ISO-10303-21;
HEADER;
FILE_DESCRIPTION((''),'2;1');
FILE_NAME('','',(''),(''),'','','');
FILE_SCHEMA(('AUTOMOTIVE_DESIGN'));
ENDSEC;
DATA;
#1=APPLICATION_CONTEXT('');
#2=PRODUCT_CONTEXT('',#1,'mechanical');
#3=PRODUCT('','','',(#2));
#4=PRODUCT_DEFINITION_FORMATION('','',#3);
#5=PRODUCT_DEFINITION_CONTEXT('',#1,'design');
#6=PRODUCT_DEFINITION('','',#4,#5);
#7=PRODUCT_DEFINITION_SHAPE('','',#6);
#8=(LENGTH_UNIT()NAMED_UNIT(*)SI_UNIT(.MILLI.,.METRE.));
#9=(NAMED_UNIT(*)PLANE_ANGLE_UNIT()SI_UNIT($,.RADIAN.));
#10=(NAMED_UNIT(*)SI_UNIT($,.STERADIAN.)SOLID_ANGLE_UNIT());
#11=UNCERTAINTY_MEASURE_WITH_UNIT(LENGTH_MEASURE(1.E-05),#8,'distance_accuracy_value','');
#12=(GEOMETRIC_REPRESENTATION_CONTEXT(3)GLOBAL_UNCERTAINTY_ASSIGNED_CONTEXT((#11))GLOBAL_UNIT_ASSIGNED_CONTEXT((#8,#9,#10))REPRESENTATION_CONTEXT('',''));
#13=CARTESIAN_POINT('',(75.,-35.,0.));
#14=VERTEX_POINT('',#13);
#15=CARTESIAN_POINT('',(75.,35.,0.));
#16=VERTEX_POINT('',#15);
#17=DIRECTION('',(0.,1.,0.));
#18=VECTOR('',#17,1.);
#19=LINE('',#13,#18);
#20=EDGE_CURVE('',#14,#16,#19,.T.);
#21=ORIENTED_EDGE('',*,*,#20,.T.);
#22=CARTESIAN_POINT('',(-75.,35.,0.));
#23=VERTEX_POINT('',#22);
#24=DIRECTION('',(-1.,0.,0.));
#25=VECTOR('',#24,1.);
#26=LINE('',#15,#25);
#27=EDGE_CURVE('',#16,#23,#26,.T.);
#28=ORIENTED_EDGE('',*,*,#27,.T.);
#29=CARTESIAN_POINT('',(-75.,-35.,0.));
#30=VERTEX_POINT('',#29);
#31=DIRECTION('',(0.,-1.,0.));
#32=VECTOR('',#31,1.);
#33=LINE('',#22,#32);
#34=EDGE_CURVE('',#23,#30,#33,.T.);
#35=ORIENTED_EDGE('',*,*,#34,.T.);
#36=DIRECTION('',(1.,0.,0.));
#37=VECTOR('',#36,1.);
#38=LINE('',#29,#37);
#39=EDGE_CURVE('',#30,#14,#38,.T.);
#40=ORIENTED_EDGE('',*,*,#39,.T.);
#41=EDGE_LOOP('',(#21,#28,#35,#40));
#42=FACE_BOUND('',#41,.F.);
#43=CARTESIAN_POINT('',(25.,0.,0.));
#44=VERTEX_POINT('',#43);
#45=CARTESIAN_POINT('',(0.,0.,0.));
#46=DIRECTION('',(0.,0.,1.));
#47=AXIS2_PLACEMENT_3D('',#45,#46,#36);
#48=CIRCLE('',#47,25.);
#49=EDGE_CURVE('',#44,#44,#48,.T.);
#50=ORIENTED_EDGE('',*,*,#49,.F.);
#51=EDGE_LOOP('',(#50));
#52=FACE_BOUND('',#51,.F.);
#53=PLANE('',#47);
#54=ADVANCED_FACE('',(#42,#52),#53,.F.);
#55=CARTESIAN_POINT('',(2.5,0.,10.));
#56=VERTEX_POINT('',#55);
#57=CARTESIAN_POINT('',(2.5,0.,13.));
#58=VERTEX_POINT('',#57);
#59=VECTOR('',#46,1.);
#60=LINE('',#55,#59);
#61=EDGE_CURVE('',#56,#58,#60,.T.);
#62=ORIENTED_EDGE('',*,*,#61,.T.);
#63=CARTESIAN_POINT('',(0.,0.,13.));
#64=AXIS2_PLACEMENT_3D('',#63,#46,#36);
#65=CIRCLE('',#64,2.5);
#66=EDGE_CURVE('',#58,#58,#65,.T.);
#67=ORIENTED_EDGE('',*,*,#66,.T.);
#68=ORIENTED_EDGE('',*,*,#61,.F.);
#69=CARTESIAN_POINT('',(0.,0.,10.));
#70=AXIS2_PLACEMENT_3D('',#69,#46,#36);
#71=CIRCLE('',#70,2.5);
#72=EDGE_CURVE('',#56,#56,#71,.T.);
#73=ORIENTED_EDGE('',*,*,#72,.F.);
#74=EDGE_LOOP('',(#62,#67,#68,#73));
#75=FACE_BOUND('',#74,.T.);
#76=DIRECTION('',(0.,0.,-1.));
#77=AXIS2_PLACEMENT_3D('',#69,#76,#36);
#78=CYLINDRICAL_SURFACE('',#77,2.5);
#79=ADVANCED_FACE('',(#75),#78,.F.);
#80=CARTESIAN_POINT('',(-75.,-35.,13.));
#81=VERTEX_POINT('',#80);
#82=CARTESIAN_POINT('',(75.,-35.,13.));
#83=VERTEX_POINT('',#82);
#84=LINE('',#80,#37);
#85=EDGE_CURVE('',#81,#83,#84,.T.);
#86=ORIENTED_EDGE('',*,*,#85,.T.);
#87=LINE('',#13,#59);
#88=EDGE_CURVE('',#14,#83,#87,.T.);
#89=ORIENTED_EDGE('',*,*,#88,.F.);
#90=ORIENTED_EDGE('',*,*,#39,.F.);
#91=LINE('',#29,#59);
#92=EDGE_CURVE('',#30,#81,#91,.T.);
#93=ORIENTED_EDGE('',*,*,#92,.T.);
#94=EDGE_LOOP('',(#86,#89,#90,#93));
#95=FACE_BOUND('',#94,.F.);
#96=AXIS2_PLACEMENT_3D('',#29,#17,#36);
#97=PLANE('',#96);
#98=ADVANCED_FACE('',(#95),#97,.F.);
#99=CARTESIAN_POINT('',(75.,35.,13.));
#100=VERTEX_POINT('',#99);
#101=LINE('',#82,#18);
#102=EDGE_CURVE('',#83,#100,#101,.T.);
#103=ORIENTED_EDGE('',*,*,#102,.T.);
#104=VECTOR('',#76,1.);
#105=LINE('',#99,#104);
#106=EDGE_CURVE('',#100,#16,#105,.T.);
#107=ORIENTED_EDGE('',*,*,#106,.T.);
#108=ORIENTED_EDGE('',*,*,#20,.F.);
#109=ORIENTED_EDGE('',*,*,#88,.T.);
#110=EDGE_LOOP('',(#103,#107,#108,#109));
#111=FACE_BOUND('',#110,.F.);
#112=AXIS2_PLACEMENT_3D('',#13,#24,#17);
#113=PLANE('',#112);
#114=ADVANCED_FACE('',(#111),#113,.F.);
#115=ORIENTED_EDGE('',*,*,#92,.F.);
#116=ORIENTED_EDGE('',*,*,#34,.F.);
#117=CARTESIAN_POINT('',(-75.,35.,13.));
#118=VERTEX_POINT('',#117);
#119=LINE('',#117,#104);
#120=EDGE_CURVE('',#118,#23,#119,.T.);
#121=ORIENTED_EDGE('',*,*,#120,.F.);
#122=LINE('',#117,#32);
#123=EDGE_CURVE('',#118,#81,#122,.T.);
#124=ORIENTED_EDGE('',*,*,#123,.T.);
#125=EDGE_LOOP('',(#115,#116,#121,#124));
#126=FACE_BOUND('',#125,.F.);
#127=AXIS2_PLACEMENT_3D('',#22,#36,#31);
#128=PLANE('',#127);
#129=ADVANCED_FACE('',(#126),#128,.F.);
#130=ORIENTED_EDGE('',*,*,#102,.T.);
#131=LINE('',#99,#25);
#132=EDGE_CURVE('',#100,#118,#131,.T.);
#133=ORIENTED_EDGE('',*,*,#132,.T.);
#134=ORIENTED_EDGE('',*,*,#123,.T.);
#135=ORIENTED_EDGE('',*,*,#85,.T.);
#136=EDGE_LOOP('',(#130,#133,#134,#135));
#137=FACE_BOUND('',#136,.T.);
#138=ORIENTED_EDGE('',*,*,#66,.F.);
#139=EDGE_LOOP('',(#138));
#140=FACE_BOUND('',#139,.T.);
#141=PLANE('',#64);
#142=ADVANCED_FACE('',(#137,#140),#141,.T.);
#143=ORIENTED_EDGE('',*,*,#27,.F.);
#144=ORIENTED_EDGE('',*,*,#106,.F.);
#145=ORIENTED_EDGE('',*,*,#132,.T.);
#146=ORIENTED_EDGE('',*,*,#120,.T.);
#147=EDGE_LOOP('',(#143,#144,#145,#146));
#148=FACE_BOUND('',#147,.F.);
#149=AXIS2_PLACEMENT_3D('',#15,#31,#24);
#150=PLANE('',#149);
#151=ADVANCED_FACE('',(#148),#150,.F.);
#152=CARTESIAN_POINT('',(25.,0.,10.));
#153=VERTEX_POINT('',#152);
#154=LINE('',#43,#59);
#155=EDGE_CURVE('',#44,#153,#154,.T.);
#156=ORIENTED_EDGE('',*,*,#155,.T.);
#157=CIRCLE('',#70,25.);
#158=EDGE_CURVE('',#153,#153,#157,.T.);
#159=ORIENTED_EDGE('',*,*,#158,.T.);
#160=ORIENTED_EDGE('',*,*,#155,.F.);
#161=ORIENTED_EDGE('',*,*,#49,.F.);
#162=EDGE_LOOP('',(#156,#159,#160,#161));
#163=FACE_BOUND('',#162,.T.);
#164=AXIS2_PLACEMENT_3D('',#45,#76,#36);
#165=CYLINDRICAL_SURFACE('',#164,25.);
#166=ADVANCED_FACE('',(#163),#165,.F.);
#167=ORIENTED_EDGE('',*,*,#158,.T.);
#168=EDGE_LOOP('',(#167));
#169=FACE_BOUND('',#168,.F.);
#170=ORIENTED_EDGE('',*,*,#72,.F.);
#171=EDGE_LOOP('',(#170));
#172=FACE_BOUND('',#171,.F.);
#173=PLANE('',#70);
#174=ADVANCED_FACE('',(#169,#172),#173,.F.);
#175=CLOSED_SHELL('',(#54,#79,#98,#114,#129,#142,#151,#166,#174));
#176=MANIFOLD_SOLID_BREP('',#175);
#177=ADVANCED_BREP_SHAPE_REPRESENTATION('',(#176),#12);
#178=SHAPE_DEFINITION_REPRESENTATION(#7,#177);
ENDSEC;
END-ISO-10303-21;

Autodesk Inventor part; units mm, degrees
ref_plane "YZ Plane" through (0, 0, 0) normal (1, 0, 0) x (0, 1, 0)
ref_plane "XZ Plane" through (0, 0, 0) normal (0, 1, 0) x (-1, 0, 0)
ref_plane "XY Plane" through (0, 0, 0) normal (0, 0, 1) x (1, 0, 0)
sketch "Sketch1" plane through (0, 0, 0) normal (0, 0, 1) x (1, 0, 0)
  circle A0 centre (0, 0) radius 25
  line L0 (-75, -35) -> (75, -35)
  line L1 (75, -35) -> (75, 35)
  line L2 (75, 35) -> (-75, 35)
  line L3 (-75, 35) -> (-75, -35)
  line L4 (-75, -35) -> (75, 35) construction
  line L5 (75, -35) -> (-75, 35) construction
  dimension "d0" = 50
  dimension "d2" = 70
  dimension "d3" = 150
extrude "Extrusion1" add sketch "Sketch1" along normal blind 10
sketch "Sketch3" plane through (75, -35, 0) normal (1, 0, 0) x (0, 0, -1)
  line L0 (-90, 0) -> (-90, 70) projected
  line L1 (-90, 35) -> (-50, 35) construction
  circle A0 centre (-50, 35) radius 25
  point P0 (0, 35)
  dimension "d10" = 50
  dimension "d11" = 40
extrude "Extrusion3" cut sketch "Sketch3" against normal through all
sketch "Sketch4" plane through (0, 0, 10) normal (0, 0, 1) x (1, 0, 0)
  line L0 (-75, 35) -> (-75, -35) projected
  line L1 (-75, -35) -> (75, -35) projected
  line L2 (75, -35) -> (75, 35) projected
  line L3 (75, 35) -> (-75, 35) projected
  circle A0 centre (0, 0) radius 25 construction
  circle A1 centre (0, 0) radius 2.5
  dimension "d14" = 5
extrude "Extrusion4" add sketch "Sketch4" along normal blind 3
properties part number "CamBracket"
